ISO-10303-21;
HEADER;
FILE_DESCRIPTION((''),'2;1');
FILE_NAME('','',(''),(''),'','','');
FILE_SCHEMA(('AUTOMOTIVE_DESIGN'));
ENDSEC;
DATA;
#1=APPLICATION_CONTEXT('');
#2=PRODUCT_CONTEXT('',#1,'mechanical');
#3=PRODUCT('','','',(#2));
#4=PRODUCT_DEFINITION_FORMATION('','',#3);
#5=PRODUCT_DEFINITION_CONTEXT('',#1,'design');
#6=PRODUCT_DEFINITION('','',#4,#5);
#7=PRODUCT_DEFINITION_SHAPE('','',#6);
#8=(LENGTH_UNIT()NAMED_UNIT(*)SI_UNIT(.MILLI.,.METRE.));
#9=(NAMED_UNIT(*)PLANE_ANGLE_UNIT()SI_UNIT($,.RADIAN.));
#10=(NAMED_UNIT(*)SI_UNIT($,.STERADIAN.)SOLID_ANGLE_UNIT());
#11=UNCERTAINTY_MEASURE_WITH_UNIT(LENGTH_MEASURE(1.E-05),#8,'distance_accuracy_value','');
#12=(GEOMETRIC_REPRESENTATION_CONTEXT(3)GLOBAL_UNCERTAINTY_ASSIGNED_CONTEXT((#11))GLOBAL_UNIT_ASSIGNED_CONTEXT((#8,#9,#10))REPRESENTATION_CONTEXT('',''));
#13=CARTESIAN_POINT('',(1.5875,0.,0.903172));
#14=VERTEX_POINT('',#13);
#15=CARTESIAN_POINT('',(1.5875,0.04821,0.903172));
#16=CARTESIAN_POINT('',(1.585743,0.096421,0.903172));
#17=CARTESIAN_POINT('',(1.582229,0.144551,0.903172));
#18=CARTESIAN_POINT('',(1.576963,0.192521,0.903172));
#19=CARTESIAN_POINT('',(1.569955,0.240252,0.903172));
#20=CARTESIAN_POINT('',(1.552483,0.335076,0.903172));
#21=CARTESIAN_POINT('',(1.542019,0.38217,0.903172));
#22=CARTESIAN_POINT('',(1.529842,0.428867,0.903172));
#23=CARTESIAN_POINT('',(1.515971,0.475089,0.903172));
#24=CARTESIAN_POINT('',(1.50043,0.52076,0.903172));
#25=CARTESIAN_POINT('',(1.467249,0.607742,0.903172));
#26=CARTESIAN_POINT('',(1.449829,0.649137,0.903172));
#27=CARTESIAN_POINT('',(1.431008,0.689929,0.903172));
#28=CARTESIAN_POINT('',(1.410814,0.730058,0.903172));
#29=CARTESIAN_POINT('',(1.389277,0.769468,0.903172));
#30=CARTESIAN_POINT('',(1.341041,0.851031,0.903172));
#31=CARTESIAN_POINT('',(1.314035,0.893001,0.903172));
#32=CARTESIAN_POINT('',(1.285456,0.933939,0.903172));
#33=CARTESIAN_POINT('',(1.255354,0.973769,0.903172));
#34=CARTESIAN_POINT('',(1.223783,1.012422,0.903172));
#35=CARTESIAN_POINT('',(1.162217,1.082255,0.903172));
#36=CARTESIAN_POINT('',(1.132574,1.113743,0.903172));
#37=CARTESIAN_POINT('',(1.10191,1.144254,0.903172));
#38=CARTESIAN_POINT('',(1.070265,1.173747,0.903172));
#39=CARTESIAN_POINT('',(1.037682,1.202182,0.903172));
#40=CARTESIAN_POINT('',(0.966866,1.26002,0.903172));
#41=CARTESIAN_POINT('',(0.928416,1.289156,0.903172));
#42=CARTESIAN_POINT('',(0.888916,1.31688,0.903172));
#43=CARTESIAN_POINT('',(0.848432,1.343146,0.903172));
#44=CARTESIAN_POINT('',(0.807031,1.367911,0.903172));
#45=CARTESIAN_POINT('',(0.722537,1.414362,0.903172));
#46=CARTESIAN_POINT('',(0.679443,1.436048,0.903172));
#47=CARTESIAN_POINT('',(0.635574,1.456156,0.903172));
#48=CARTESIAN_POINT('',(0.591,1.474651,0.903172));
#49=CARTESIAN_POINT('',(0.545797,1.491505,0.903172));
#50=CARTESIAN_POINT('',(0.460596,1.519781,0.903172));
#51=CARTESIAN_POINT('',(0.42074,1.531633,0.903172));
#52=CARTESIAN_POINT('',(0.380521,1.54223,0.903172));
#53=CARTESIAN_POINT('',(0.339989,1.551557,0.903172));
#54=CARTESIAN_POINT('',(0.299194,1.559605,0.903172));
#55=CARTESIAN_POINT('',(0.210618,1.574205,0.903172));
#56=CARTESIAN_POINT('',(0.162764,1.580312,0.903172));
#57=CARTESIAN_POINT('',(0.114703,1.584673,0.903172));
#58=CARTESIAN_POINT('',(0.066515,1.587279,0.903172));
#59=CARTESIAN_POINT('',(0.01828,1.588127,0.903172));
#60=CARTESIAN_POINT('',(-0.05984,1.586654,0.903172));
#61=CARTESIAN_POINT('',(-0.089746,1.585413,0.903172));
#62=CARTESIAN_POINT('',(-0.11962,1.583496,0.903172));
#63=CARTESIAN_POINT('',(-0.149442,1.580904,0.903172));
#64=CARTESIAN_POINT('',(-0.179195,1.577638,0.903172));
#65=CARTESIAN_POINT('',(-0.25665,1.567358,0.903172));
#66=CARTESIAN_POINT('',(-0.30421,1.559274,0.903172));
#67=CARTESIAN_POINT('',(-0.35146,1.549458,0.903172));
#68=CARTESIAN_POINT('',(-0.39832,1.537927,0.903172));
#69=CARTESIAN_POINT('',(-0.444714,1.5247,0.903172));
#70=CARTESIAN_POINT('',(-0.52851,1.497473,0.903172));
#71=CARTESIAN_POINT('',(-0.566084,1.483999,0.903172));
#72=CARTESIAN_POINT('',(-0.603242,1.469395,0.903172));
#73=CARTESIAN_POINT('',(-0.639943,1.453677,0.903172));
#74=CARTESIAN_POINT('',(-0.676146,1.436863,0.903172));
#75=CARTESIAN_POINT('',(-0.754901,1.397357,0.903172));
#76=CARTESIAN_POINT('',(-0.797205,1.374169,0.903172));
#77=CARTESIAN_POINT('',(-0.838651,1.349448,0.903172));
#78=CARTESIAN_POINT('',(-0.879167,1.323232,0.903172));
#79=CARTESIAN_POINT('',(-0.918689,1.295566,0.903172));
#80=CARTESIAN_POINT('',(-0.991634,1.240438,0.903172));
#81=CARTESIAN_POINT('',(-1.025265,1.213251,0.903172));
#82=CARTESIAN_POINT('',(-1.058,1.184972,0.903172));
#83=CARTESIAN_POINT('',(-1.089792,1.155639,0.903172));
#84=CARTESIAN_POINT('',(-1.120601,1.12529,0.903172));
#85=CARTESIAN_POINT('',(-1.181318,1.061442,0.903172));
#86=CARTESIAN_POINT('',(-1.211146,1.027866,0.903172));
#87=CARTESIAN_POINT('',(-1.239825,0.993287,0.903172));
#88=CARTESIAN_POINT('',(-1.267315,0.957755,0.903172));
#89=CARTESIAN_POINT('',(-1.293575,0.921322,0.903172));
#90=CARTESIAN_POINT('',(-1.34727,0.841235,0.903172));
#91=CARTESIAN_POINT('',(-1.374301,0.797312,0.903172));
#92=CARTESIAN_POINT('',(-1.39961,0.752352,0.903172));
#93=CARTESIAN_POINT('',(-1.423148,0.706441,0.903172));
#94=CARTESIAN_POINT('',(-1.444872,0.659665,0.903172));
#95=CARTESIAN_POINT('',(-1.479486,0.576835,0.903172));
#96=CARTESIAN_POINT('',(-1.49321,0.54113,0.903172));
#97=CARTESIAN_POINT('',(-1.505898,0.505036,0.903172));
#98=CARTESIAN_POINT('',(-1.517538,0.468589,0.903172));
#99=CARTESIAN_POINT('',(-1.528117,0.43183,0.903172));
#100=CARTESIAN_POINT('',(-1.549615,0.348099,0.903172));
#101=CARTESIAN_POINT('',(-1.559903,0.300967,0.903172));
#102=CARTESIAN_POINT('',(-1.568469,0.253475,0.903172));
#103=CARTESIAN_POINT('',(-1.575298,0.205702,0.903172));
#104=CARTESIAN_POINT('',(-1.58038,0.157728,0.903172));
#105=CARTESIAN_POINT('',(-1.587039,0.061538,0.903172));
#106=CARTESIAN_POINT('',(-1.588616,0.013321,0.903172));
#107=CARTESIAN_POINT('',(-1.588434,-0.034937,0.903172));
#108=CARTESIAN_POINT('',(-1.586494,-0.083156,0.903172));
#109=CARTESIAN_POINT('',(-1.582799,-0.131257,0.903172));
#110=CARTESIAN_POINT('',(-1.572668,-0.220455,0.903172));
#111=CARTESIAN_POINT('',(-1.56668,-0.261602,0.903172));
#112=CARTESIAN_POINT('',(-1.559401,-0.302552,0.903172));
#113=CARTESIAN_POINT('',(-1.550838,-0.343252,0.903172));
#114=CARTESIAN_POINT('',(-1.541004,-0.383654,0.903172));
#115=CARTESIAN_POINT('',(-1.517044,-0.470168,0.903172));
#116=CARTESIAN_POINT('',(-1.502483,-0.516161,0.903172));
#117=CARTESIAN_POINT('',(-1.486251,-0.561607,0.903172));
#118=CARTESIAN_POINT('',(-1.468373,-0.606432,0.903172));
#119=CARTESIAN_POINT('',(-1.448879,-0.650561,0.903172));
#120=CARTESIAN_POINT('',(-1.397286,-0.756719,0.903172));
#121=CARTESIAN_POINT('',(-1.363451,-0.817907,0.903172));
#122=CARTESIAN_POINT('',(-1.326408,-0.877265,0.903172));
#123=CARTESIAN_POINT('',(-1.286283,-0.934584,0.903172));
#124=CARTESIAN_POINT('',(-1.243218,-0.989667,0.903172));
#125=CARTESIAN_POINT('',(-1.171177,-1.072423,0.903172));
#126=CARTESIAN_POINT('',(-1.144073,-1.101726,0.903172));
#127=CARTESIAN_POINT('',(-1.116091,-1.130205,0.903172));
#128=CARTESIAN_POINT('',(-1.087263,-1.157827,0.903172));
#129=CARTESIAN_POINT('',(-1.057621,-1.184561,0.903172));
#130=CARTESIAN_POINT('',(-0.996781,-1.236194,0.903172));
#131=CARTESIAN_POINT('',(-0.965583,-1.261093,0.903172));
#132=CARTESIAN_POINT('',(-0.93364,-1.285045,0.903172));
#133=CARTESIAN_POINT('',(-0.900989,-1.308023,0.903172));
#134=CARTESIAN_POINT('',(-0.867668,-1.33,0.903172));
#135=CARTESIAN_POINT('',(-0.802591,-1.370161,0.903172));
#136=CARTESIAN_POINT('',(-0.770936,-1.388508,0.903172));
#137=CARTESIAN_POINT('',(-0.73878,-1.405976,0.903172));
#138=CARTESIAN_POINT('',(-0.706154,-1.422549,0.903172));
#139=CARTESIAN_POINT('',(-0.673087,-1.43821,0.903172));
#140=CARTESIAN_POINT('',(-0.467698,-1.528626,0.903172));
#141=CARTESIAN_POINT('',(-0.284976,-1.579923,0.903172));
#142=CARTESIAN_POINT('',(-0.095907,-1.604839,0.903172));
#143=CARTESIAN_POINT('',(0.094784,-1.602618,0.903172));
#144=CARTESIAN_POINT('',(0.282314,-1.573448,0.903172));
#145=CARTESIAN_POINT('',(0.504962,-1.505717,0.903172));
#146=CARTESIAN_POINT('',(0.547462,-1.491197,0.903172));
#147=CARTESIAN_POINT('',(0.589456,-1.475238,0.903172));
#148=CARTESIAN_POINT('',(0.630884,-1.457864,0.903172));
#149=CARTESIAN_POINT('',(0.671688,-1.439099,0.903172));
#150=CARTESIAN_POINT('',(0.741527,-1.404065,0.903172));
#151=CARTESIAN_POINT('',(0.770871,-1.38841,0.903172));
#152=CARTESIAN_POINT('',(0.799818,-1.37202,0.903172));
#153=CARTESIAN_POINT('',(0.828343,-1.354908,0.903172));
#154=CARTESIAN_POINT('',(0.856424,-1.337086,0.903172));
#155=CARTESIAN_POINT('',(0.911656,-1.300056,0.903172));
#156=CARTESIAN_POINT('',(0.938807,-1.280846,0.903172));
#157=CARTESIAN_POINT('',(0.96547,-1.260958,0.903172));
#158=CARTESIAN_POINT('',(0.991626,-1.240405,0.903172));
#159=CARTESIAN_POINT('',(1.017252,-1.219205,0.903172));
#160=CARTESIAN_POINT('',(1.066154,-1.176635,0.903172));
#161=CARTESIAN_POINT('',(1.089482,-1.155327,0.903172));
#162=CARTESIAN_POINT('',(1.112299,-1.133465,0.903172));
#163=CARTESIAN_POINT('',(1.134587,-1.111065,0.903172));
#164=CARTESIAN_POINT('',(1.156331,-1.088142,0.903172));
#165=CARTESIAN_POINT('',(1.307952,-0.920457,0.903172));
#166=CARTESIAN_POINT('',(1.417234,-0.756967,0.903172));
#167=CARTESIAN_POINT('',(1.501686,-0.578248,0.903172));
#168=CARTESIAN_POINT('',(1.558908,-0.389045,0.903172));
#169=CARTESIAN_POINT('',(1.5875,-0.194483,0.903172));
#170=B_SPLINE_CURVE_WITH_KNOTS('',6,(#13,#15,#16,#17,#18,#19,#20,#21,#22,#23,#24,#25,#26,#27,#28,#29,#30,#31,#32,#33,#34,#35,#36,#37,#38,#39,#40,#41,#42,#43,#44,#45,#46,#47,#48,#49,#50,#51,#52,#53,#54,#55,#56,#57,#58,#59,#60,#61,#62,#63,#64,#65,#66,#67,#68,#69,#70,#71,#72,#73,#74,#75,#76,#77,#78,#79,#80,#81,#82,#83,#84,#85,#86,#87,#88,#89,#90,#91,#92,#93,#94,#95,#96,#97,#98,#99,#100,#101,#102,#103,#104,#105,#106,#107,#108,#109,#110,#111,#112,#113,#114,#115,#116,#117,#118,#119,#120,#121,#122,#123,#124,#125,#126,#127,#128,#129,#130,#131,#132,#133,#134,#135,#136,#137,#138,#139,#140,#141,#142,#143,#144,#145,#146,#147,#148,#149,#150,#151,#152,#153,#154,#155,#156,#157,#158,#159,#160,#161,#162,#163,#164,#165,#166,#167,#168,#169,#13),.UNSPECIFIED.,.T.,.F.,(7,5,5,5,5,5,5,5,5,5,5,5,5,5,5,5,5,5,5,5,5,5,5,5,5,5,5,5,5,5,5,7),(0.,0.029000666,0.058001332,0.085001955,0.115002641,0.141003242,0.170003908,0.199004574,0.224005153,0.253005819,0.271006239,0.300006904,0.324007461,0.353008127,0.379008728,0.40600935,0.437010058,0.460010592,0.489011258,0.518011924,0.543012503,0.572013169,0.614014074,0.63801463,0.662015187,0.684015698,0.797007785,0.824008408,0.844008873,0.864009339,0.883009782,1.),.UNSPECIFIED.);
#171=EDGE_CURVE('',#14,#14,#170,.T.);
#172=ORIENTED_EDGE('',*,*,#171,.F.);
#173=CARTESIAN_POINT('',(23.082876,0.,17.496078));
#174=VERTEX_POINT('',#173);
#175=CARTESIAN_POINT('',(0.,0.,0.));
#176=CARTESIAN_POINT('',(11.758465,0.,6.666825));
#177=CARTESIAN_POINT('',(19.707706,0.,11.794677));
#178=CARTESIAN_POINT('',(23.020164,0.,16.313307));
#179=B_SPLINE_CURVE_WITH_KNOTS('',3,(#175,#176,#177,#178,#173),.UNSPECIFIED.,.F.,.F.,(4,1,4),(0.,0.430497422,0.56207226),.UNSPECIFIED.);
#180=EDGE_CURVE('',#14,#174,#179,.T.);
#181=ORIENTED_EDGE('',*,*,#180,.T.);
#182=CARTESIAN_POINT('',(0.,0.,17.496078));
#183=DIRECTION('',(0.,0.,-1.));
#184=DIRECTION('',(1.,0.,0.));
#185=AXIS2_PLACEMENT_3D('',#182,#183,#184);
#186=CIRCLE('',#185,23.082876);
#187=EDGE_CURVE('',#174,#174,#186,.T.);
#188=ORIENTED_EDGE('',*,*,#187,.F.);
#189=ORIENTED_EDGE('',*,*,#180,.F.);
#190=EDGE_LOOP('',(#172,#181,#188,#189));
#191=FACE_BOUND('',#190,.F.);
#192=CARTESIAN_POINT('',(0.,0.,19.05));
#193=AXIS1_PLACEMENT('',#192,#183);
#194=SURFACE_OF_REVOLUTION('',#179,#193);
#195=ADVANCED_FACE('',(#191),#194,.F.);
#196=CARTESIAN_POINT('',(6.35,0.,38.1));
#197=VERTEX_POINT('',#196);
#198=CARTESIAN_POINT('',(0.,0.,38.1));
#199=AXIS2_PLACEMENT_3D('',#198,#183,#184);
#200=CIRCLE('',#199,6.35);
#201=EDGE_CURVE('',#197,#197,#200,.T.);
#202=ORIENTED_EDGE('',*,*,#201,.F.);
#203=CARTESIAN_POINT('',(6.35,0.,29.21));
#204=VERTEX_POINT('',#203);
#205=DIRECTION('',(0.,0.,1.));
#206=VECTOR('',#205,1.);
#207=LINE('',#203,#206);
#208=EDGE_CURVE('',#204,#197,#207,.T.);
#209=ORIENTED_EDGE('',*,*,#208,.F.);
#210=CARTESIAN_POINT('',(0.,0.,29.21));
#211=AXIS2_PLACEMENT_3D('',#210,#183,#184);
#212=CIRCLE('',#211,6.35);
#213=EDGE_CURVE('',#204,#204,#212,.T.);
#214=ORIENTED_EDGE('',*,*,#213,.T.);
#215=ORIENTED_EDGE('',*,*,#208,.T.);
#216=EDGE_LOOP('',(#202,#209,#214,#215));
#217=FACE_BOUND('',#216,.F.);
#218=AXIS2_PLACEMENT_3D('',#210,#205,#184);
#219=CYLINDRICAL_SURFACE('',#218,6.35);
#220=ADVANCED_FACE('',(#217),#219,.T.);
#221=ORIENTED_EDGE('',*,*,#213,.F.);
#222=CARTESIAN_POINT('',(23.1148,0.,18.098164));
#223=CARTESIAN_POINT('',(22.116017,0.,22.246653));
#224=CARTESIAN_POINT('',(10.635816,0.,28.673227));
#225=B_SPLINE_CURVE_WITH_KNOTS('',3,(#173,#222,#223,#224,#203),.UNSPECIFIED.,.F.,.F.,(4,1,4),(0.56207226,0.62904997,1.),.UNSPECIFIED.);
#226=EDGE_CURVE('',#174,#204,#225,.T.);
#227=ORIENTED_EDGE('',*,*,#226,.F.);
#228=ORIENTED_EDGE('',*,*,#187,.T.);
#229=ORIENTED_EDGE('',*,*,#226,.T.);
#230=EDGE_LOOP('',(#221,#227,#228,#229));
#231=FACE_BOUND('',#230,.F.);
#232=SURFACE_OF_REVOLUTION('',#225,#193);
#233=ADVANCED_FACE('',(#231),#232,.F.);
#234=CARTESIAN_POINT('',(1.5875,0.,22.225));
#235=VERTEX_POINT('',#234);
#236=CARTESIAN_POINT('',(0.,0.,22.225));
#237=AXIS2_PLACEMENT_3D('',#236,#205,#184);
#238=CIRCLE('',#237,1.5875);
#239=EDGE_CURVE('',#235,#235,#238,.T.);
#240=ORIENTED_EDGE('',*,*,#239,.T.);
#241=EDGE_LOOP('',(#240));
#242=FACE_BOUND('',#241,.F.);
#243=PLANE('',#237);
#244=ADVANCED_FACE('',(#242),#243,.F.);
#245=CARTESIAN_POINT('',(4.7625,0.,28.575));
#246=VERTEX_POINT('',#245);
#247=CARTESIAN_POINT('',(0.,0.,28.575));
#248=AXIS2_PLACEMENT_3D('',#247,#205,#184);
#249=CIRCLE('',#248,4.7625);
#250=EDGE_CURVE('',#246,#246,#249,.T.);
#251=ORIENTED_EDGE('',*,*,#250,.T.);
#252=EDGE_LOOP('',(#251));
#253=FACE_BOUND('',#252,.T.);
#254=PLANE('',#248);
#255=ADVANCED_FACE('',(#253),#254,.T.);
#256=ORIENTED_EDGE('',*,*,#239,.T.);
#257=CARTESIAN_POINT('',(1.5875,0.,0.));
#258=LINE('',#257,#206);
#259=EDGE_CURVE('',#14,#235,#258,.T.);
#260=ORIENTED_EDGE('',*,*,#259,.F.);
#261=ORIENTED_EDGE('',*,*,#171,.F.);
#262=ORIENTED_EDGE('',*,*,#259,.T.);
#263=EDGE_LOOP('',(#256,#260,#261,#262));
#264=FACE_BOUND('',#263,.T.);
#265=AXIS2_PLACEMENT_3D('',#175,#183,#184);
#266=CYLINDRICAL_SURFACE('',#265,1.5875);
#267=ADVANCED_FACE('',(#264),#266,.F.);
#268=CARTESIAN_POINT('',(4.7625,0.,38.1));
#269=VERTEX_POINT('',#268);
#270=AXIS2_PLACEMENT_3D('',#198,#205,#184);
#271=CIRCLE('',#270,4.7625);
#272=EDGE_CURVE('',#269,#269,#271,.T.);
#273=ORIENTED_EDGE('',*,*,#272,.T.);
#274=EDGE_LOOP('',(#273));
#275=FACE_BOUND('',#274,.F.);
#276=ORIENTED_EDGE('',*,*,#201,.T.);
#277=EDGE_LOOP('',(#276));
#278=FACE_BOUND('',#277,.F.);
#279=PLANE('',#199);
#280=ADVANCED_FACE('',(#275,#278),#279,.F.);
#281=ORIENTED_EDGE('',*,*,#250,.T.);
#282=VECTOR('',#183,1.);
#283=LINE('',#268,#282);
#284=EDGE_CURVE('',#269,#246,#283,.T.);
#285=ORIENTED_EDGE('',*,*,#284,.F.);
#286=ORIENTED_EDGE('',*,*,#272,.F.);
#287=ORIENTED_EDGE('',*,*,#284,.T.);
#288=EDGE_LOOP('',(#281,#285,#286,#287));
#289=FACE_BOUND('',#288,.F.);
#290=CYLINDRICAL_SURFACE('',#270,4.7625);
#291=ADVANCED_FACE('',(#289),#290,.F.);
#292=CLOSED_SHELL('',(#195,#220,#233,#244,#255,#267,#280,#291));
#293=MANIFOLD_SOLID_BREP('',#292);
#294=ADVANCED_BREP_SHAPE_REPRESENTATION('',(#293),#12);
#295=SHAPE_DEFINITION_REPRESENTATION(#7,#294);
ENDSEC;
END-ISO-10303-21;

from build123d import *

# Parameters (mm, degrees)
F2_R     = 4.7625
F3_DEPTH = 9.525
F4_R     = 1.5875
F5_DEPTH = 22.225


with BuildPart() as f1:
    # F0 (on Front) → F1 (revolve)
    with BuildSketch(Plane.XZ):
        with BuildLine():
            Line((0, 38.1), (0, 0))
            add(Edge.make_bspline(
                [(0, 0), (11.7584649328, 6.6668250328), (19.7077058908, 11.7946774257), (23.020163798, 16.3133065778), (23.0828764178, 17.4960782864)],
                knots=[0, 0, 0, 0, 0.4304974224, 0.5620722598, 0.5620722598, 0.5620722598, 0.5620722598], degree=3))
            add(Edge.make_bspline(
                [(23.0828764178, 17.4960782864), (23.114800057, 18.0981640784), (22.1160167846, 22.2466526855), (10.6358158862, 28.6732271947), (6.35, 29.21)],
                knots=[0.5620722598, 0.5620722598, 0.5620722598, 0.5620722598, 0.6290499695, 1, 1, 1, 1], degree=3))
            Line((6.35, 29.21), (6.35, 38.1))
            Line((6.35, 38.1), (0, 38.1))
        make_face()
    revolve(axis=Axis((0, 0, 19.05), (0, 0, -1)))

    # F2 (on face) → F3 (cut)
    with BuildSketch(Plane.XY.offset(38.1)):
        Circle(F2_R)
    extrude(amount=-F3_DEPTH, mode=Mode.SUBTRACT)

    # F4 (on Top) → F5 (cut)
    with BuildSketch(Plane.XY):
        Circle(F4_R)
    extrude(amount=F5_DEPTH, mode=Mode.SUBTRACT)


solid = f1.part
